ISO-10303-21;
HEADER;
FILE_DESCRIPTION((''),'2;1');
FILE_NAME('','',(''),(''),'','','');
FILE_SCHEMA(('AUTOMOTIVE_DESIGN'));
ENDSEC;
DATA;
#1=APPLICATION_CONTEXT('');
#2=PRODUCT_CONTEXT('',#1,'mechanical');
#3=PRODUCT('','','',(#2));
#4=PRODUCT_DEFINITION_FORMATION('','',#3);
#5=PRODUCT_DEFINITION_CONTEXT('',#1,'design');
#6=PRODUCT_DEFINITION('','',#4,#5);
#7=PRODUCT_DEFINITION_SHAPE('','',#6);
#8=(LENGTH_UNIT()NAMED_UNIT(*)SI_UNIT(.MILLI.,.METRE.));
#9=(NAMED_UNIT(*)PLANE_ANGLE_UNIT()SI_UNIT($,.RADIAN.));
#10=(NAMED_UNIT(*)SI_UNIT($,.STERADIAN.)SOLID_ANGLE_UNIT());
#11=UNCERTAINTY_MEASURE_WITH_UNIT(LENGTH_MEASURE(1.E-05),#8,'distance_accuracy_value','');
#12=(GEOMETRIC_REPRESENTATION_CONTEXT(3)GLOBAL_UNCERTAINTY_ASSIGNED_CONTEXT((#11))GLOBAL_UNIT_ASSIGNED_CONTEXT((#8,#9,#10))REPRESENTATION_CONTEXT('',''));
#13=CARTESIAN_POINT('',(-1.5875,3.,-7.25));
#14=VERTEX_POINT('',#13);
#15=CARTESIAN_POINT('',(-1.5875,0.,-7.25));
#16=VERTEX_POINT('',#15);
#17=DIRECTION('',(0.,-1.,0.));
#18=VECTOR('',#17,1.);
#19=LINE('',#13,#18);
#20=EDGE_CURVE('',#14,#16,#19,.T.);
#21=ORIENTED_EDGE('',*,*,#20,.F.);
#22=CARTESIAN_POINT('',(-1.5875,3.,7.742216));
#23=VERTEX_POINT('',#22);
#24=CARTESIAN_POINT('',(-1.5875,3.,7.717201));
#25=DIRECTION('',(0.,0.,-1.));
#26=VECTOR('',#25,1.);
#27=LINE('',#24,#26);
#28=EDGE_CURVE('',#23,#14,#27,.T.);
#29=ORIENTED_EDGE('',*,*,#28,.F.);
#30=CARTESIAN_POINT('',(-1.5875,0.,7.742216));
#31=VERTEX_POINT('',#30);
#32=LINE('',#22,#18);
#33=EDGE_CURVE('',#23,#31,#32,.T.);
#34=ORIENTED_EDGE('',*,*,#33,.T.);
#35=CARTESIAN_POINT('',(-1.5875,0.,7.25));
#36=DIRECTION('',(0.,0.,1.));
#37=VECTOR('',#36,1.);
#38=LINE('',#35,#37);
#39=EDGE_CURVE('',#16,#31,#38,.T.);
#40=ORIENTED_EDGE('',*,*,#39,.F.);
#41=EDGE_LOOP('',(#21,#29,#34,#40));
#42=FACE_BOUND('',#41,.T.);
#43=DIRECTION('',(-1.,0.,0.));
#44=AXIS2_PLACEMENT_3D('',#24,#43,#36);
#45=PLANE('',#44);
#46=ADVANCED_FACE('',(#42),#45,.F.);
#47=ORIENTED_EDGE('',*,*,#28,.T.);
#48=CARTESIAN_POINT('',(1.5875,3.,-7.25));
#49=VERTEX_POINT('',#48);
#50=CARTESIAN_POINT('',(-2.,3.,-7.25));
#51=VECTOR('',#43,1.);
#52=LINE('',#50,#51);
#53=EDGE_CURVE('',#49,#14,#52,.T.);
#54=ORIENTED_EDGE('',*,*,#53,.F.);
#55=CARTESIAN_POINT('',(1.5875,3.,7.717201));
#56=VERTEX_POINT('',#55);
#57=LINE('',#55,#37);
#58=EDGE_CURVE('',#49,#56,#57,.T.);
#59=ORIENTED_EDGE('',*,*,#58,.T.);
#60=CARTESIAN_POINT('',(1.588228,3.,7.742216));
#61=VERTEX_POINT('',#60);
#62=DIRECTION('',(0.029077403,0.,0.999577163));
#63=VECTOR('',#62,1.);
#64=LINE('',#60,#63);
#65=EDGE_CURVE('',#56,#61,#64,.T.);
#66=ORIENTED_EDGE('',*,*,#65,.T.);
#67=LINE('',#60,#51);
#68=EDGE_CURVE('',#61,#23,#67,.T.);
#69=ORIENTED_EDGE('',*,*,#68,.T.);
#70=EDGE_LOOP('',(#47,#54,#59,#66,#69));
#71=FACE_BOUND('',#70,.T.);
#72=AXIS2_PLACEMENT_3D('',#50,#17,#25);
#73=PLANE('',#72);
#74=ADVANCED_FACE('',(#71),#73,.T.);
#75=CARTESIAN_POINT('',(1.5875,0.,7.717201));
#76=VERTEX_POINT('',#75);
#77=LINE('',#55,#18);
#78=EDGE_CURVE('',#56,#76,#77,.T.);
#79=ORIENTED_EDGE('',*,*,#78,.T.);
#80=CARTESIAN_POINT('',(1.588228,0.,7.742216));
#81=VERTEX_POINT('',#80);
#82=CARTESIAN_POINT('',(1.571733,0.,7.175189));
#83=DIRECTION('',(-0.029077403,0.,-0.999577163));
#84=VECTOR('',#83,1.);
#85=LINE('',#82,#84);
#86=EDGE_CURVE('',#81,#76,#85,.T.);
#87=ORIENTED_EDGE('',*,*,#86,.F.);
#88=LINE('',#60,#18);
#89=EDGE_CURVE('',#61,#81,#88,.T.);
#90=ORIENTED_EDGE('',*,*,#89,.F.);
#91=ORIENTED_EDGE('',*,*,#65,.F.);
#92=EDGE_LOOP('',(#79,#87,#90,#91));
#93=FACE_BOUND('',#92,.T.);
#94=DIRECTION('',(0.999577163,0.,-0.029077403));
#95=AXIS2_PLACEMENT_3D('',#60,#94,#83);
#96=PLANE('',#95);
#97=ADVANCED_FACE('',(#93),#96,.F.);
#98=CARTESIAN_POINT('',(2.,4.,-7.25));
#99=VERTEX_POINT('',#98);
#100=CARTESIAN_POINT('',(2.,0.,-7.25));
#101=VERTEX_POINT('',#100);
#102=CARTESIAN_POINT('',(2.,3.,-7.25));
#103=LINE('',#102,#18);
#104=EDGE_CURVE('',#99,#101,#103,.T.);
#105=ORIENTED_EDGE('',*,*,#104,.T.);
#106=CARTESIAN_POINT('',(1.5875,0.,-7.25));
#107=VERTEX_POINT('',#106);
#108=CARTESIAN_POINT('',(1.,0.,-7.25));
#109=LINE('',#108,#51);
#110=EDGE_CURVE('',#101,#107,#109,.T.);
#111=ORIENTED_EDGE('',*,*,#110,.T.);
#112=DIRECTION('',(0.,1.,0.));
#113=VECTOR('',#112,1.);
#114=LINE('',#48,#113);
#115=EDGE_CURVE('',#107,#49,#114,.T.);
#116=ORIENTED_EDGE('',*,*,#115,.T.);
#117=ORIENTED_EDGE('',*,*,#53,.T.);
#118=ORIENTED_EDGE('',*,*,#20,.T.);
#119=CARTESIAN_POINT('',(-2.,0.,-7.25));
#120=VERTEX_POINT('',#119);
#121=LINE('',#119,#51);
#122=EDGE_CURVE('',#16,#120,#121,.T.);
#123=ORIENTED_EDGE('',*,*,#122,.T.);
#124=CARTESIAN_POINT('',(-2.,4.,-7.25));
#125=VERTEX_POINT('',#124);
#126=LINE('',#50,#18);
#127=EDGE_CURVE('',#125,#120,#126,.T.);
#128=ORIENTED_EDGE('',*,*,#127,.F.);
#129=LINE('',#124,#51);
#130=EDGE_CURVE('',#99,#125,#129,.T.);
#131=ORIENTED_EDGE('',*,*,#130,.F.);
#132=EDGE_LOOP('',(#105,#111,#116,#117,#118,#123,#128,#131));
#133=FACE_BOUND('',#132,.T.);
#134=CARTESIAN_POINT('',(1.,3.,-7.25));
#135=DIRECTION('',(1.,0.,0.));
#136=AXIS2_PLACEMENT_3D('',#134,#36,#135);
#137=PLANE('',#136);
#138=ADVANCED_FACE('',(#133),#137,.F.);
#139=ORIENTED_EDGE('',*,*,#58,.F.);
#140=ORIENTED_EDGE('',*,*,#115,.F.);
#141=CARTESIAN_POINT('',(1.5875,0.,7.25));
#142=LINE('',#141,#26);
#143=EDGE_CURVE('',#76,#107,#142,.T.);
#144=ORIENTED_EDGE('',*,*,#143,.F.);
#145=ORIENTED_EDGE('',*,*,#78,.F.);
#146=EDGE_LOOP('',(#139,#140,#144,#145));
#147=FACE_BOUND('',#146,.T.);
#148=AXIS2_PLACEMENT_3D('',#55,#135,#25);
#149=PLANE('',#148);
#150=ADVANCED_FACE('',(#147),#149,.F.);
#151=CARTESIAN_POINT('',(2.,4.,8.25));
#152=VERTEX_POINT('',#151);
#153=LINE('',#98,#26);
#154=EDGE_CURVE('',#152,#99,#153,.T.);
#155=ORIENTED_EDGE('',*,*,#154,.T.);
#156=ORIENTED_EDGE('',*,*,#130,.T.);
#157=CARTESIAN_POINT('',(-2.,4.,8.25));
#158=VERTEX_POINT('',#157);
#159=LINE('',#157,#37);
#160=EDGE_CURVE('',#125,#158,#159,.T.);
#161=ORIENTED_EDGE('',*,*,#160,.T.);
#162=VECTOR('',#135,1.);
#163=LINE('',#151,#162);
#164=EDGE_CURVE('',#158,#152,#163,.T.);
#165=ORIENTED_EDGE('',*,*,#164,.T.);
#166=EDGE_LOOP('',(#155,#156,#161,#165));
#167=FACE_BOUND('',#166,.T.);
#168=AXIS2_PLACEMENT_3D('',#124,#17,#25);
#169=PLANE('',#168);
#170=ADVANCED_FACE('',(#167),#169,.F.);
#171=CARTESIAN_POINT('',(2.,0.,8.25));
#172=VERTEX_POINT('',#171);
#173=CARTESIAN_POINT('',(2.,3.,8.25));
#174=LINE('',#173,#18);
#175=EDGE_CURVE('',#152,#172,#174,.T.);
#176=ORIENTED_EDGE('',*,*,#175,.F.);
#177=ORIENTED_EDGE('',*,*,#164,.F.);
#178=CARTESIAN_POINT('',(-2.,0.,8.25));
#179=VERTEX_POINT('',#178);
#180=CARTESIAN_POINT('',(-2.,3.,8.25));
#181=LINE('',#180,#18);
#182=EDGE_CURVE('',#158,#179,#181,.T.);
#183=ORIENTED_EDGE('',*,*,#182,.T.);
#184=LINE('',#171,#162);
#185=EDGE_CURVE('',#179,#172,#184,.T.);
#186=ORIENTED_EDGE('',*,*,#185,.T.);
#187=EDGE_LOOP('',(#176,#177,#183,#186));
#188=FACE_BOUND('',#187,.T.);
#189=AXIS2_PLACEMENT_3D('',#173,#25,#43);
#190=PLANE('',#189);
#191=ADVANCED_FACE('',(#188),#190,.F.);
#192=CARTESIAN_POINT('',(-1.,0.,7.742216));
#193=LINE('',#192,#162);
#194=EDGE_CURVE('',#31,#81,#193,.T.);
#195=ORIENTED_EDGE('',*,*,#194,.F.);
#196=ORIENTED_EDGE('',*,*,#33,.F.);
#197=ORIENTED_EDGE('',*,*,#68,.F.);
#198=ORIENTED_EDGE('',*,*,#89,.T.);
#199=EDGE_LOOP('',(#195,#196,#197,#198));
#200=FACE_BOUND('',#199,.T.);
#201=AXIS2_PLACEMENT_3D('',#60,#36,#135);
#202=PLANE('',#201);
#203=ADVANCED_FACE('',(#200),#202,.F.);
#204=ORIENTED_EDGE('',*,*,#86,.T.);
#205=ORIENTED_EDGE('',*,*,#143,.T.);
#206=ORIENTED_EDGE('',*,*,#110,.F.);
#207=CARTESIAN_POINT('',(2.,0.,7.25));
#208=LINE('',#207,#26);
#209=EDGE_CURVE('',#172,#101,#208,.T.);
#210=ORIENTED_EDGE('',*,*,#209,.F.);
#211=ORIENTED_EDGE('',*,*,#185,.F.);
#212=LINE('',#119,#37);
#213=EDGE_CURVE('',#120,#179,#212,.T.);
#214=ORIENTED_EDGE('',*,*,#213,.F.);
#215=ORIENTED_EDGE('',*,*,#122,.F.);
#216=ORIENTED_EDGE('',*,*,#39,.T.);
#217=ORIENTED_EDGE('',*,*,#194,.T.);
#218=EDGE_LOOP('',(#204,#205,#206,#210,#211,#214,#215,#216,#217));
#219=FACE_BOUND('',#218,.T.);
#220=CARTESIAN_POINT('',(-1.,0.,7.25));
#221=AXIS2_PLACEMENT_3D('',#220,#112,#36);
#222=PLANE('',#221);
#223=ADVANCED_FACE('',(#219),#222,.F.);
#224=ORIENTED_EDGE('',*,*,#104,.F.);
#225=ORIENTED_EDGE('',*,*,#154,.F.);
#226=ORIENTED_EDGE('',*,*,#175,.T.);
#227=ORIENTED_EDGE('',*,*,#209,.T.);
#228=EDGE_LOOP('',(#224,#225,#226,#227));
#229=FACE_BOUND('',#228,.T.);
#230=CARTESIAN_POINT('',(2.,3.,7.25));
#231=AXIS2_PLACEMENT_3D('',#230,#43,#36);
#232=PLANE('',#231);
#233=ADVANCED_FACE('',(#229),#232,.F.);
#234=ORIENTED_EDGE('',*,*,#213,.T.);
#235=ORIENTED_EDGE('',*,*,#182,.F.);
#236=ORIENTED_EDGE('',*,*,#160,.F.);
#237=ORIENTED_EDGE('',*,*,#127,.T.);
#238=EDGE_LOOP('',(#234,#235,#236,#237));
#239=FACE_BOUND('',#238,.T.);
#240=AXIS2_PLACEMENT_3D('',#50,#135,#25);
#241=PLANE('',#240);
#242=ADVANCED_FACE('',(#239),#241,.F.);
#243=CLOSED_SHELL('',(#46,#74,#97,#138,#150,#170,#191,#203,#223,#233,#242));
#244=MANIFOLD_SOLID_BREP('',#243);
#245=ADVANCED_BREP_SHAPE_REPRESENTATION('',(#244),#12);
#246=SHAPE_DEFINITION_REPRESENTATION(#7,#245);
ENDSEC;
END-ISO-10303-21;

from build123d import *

# Parameters (mm, degrees)
BOSS_EXTRUDE1_DEPTH = 3
SKETCH2_W           = 4
SKETCH2_H           = 15.5
BOSS_EXTRUDE2_DEPTH = 1
CUT_EXTRUDE1_DEPTH  = 0.25
CUT_EXTRUDE7_DEPTH  = 6


with BuildPart() as part:
    # Sketch1 → Boss-Extrude1 (new body)
    with BuildSketch(Plane(origin=(0, 0, 0), x_dir=(1, 0, 0), z_dir=(0, 1, 0))):
        Polygon((-1, -7.25), (1, -7.25), (1, 7.25), (2, 7.25), (2, -7.25), (2, -8.25), (1, -8.25), (-2, -8.25), (-2, 7.25), (-1, 7.25), align=None)
    extrude(amount=BOSS_EXTRUDE1_DEPTH)

    # Sketch2 → Boss-Extrude2 (add)
    with BuildSketch(Plane(origin=(0, 3, 0), x_dir=(1, 0, 0), z_dir=(0, 1, 0))):
        with Locations((0, -0.5)):
            Rectangle(SKETCH2_W, SKETCH2_H)
    extrude(amount=BOSS_EXTRUDE2_DEPTH)

    # Sketch3 → Cut-Extrude1 (cut)
    with BuildSketch(Plane.XZ):
        Polygon((-1, 7.25), (1, 7.25), (1, -7.25), (1.5, -7.25), (1.5, 7.717200742), (-1.5, 7.717200742), (-1.5, -7.25), (-1, -7.25), align=None)
    extrude(amount=-CUT_EXTRUDE1_DEPTH, mode=Mode.SUBTRACT)

    # Sketch9 → Cut-Extrude7 (cut)
    with BuildSketch(Plane(origin=(31.168539268, -3, 26.546214854), x_dir=(-0.7071067811865431, 0, 0.7071067811865519), z_dir=(0, -1, 0))):
        Polygon((7.620004071, 34.212873731), (9.865582661, 36.458452321), (9.847893929, 36.476141053), (-10.673980141, 56.998015123), (-12.919044171, 54.752951093), (7.602829899, 34.231077023), align=None)
    extrude(amount=-CUT_EXTRUDE7_DEPTH, mode=Mode.SUBTRACT)


solid = part.part
